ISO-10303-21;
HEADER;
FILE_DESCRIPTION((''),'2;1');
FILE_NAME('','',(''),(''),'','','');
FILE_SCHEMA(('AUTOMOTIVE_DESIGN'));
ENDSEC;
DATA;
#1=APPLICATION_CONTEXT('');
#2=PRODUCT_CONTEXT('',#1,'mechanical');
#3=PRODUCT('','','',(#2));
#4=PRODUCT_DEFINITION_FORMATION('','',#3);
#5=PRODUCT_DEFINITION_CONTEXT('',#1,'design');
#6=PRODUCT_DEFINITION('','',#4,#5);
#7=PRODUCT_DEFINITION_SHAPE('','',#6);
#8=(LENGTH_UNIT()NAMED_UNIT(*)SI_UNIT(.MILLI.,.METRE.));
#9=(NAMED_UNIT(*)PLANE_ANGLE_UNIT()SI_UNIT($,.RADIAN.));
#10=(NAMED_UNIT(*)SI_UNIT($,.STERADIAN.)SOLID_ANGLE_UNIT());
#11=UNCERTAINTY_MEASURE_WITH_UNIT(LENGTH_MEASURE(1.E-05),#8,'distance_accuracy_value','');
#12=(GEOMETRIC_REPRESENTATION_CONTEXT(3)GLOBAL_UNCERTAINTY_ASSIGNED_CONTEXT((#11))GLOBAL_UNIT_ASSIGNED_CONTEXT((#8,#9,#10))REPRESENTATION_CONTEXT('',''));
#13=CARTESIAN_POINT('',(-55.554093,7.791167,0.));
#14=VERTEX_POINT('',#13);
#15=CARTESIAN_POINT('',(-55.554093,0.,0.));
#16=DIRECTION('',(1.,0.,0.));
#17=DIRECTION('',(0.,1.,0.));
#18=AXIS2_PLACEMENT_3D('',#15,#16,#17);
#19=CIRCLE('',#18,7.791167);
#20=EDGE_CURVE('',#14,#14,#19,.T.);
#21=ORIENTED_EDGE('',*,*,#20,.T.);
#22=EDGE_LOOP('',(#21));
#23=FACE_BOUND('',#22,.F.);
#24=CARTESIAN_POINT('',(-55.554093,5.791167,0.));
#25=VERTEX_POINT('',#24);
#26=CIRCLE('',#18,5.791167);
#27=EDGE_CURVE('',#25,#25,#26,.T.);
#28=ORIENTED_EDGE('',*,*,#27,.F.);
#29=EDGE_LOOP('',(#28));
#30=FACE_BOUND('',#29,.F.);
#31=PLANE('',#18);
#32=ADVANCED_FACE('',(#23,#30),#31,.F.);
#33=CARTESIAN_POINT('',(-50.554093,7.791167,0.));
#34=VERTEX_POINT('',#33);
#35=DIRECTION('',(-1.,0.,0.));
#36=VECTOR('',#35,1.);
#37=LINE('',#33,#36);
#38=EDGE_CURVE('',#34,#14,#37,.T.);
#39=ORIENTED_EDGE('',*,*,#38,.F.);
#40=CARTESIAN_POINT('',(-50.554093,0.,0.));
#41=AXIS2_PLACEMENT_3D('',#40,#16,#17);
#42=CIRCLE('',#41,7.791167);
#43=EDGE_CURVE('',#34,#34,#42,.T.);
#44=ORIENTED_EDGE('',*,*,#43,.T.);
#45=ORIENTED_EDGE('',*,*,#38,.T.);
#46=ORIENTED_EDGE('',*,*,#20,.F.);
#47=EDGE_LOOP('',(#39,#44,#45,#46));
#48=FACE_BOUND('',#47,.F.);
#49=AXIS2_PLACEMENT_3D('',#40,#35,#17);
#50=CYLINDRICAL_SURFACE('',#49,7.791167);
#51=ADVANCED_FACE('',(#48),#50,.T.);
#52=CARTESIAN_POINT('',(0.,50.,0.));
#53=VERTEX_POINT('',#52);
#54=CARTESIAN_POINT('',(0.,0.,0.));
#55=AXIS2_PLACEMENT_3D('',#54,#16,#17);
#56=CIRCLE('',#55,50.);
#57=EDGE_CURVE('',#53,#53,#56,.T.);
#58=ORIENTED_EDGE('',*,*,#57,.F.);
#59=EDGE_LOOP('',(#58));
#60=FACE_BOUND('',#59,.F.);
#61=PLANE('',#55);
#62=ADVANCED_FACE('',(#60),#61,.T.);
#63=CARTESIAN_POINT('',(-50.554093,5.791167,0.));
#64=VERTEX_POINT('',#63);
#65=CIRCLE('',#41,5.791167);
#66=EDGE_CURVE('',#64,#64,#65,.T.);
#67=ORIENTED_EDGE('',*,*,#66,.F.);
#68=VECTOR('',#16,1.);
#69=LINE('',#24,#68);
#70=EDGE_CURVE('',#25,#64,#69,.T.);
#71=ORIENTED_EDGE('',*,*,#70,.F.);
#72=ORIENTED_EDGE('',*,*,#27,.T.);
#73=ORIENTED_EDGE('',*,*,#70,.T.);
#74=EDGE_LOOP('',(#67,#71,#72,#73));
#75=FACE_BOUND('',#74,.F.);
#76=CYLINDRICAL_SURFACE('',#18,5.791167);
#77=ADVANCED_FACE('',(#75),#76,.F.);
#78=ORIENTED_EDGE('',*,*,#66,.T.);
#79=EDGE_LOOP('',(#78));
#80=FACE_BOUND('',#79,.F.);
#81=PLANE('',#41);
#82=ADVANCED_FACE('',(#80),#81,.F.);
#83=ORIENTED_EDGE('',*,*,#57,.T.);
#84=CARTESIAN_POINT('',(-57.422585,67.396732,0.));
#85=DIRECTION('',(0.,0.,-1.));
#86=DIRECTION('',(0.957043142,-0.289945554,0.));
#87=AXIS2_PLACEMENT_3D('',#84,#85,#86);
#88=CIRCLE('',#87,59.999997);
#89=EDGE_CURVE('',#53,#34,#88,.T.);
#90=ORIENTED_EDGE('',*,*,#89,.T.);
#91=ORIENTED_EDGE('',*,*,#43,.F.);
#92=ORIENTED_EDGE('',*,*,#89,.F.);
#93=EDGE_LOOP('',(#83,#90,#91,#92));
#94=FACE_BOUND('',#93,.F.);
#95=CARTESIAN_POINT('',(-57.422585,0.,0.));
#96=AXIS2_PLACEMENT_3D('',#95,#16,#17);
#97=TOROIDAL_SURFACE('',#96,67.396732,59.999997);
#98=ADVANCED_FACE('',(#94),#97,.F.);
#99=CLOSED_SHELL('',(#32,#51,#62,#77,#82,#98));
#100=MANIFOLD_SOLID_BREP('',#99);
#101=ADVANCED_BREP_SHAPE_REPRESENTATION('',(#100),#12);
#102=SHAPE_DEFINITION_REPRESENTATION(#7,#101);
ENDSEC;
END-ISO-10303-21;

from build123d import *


with BuildPart() as f1:
    # F0 (on Top) → F1 (revolve)
    with BuildSketch(Plane.XY):
        with BuildLine():
            Line((-50.554093, 0), (0, 0))
            Line((0, 0), (0, 50))
            ThreePointArc((0, 50), (-18.9683, 21.339512), (-50.554093, 7.791167))
            Line((-50.554093, 7.791167), (-55.554093, 7.791167))
            Line((-55.554093, 7.791167), (-55.554093, 5.791167))
            Line((-55.554093, 5.791167), (-50.554093, 5.791167))
            Line((-50.554093, 5.791167), (-50.554093, 0))
        make_face()
    revolve(axis=Axis((-25.277047, 0, 0), (1, 0, 0)))


solid = f1.part
